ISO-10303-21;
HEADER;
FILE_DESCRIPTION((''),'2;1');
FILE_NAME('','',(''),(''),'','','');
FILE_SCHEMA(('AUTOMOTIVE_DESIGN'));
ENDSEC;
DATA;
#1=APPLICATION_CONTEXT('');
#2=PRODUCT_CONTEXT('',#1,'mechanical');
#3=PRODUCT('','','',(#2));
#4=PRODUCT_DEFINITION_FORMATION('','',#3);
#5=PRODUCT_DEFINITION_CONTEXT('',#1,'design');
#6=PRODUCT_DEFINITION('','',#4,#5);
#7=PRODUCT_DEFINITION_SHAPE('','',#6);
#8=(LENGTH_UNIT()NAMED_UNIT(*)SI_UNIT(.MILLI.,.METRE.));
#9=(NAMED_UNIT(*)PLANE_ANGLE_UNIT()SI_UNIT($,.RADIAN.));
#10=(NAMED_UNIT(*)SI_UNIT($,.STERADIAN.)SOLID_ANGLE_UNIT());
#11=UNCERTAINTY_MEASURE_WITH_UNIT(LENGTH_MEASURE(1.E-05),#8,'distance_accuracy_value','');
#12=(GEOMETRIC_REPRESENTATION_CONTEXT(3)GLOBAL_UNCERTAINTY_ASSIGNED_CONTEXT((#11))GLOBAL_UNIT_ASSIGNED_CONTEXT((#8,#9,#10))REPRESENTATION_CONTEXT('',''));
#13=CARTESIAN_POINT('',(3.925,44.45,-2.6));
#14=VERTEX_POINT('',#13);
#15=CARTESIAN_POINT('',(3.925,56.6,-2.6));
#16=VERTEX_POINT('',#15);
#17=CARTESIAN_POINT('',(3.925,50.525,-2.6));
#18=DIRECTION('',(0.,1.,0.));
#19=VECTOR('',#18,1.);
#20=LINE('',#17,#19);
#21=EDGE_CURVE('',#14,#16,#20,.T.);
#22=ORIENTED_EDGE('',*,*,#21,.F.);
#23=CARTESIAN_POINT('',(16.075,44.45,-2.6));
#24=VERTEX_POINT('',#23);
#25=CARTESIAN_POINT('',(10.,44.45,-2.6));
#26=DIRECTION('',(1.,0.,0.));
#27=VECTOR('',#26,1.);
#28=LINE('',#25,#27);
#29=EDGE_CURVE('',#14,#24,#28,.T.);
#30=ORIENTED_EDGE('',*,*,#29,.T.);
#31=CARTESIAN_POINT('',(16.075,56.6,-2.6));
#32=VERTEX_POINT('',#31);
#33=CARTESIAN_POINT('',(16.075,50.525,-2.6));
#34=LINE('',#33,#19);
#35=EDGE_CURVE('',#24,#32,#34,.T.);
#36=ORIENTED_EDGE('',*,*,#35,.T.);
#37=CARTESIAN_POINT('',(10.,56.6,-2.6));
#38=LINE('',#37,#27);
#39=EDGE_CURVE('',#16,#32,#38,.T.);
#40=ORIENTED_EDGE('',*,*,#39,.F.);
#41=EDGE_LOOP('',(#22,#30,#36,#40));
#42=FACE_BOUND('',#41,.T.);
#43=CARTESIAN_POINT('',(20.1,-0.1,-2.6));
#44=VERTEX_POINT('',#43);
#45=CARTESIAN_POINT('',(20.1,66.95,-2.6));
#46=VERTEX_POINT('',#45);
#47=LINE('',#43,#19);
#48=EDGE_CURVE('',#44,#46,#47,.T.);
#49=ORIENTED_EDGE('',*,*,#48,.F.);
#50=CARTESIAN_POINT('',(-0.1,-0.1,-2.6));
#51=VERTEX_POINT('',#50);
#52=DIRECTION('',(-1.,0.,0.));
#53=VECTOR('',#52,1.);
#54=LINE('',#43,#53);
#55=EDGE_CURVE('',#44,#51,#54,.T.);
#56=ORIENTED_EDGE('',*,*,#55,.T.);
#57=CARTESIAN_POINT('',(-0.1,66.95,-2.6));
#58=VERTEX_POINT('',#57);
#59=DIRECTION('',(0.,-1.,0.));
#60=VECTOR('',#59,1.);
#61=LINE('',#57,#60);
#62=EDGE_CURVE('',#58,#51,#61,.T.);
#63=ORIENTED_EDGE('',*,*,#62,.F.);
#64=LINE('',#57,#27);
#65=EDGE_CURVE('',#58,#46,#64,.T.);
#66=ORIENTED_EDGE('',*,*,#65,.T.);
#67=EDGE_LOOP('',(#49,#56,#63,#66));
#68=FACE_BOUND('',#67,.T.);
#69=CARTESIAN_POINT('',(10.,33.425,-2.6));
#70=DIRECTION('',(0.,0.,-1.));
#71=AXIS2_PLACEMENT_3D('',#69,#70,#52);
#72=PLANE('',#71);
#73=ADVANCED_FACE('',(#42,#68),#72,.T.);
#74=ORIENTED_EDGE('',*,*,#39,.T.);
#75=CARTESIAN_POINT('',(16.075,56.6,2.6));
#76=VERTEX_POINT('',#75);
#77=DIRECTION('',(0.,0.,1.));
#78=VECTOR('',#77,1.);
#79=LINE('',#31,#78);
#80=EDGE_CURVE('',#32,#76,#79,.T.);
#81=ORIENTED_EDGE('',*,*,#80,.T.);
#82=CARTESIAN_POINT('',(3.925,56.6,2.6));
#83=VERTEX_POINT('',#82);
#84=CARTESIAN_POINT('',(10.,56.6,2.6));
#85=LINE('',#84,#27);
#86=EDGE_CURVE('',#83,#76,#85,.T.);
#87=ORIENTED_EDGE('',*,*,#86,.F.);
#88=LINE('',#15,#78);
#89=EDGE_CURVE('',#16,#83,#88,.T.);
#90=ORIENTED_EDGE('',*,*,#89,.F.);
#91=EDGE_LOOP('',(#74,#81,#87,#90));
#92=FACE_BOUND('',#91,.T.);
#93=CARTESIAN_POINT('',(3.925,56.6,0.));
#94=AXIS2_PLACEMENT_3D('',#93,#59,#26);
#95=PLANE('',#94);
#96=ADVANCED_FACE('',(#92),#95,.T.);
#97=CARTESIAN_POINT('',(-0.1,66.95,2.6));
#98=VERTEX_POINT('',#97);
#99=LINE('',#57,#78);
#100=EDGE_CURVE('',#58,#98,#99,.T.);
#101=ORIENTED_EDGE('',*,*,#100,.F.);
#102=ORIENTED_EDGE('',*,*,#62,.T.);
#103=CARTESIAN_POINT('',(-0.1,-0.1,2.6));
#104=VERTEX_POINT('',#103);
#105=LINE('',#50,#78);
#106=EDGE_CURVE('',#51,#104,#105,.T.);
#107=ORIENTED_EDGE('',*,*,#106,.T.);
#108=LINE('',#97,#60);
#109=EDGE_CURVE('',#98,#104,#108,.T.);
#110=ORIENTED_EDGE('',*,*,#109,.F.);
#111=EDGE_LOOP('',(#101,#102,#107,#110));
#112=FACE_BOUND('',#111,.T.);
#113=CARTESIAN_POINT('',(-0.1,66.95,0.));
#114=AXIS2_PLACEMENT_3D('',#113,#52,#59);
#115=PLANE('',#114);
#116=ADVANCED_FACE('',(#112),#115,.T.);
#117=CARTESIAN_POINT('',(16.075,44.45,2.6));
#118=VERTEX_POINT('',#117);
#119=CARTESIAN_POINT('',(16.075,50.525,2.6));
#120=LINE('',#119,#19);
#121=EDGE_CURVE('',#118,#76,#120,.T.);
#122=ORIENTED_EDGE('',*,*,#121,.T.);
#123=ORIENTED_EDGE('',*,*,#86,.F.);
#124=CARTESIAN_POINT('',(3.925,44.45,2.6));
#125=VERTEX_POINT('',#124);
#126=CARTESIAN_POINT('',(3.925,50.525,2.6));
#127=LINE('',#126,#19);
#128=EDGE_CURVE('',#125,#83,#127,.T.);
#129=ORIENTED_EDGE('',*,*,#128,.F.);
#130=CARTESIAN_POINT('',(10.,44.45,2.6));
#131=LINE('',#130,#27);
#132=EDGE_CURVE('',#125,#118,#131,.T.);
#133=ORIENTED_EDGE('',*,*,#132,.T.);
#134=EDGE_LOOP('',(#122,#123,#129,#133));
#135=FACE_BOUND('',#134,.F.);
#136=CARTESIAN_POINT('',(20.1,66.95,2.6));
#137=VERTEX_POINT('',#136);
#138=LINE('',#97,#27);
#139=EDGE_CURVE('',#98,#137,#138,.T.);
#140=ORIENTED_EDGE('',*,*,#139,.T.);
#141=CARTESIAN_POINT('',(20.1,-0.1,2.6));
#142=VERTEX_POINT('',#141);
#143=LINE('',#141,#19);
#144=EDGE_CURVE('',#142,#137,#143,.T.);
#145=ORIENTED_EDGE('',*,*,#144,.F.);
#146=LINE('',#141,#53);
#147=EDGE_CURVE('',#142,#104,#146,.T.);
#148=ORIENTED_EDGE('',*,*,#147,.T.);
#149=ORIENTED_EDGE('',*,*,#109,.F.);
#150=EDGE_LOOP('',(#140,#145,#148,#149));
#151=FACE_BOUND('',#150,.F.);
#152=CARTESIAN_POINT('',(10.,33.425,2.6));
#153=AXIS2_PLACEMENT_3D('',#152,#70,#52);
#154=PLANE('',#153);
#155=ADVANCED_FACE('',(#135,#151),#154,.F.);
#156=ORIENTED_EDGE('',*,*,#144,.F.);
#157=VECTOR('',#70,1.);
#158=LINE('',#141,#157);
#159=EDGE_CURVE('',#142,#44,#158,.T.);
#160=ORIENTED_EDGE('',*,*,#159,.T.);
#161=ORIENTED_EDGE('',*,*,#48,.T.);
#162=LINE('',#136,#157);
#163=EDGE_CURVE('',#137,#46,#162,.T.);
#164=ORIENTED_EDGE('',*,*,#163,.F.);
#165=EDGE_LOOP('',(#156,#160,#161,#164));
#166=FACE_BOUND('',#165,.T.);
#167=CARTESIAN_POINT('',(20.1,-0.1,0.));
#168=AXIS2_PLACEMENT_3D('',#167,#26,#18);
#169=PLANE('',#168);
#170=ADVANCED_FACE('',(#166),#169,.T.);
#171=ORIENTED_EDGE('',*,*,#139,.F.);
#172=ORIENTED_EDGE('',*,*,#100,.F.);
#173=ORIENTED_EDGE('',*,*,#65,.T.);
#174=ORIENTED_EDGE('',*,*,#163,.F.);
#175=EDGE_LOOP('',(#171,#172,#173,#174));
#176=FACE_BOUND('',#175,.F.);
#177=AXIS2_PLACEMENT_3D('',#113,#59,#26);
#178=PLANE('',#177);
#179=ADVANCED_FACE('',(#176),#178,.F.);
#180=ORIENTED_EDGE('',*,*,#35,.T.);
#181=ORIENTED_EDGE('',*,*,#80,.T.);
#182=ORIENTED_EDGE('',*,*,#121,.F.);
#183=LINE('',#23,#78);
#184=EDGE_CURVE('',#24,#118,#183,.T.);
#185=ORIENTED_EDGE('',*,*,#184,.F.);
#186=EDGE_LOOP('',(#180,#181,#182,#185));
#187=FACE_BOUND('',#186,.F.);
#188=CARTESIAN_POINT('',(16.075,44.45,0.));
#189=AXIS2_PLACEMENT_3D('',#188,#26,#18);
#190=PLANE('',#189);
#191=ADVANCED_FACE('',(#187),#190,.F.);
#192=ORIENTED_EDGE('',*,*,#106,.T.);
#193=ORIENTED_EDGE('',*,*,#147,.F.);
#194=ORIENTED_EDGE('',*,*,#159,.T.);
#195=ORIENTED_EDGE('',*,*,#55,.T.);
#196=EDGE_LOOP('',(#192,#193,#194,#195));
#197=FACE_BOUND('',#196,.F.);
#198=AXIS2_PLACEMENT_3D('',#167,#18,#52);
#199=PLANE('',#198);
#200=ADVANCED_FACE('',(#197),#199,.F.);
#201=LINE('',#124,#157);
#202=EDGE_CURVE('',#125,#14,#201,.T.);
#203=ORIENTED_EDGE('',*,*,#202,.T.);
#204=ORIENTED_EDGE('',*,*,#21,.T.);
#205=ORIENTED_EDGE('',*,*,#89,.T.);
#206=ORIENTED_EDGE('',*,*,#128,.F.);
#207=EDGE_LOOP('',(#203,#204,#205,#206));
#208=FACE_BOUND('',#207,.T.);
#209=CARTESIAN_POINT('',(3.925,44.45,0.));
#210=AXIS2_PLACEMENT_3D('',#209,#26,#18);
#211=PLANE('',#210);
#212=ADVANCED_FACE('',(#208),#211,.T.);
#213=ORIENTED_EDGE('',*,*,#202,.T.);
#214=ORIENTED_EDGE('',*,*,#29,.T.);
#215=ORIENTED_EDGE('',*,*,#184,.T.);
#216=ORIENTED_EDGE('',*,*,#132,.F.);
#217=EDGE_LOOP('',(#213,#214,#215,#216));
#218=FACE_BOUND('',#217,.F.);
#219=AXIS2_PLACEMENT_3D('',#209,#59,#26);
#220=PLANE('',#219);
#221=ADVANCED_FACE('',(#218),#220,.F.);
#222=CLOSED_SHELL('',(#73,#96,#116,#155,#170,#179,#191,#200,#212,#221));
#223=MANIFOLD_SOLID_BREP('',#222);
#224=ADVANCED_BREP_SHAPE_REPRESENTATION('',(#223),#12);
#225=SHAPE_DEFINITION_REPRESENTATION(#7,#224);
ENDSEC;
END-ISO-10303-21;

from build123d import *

# Parameters (mm, degrees)
SKETCH1_W           = 12.15
SKETCH1_H           = 12.15
BOSS_EXTRUDE1_DEPTH = 2.6


with BuildPart() as part:
    # Sketch1 → Boss-Extrude1 (new body, symmetric)
    with BuildSketch(Plane.XY):
        Polygon((-0.1, 66.95), (20.1, 66.95), (20.1, 44.55), (20.1, 39.4), (20.1, 27.45), (20.1, 22.3), (20.1, -0.1), (-0.1, -0.1), (-0.1, 22.3), (-0.1, 27.45), (-0.1, 39.4), (-0.1, 44.55), align=None)
        with Locations((10, 50.525)):
            Rectangle(SKETCH1_W, SKETCH1_H, mode=Mode.SUBTRACT)
    extrude(amount=BOSS_EXTRUDE1_DEPTH, both=True)


solid = part.part
